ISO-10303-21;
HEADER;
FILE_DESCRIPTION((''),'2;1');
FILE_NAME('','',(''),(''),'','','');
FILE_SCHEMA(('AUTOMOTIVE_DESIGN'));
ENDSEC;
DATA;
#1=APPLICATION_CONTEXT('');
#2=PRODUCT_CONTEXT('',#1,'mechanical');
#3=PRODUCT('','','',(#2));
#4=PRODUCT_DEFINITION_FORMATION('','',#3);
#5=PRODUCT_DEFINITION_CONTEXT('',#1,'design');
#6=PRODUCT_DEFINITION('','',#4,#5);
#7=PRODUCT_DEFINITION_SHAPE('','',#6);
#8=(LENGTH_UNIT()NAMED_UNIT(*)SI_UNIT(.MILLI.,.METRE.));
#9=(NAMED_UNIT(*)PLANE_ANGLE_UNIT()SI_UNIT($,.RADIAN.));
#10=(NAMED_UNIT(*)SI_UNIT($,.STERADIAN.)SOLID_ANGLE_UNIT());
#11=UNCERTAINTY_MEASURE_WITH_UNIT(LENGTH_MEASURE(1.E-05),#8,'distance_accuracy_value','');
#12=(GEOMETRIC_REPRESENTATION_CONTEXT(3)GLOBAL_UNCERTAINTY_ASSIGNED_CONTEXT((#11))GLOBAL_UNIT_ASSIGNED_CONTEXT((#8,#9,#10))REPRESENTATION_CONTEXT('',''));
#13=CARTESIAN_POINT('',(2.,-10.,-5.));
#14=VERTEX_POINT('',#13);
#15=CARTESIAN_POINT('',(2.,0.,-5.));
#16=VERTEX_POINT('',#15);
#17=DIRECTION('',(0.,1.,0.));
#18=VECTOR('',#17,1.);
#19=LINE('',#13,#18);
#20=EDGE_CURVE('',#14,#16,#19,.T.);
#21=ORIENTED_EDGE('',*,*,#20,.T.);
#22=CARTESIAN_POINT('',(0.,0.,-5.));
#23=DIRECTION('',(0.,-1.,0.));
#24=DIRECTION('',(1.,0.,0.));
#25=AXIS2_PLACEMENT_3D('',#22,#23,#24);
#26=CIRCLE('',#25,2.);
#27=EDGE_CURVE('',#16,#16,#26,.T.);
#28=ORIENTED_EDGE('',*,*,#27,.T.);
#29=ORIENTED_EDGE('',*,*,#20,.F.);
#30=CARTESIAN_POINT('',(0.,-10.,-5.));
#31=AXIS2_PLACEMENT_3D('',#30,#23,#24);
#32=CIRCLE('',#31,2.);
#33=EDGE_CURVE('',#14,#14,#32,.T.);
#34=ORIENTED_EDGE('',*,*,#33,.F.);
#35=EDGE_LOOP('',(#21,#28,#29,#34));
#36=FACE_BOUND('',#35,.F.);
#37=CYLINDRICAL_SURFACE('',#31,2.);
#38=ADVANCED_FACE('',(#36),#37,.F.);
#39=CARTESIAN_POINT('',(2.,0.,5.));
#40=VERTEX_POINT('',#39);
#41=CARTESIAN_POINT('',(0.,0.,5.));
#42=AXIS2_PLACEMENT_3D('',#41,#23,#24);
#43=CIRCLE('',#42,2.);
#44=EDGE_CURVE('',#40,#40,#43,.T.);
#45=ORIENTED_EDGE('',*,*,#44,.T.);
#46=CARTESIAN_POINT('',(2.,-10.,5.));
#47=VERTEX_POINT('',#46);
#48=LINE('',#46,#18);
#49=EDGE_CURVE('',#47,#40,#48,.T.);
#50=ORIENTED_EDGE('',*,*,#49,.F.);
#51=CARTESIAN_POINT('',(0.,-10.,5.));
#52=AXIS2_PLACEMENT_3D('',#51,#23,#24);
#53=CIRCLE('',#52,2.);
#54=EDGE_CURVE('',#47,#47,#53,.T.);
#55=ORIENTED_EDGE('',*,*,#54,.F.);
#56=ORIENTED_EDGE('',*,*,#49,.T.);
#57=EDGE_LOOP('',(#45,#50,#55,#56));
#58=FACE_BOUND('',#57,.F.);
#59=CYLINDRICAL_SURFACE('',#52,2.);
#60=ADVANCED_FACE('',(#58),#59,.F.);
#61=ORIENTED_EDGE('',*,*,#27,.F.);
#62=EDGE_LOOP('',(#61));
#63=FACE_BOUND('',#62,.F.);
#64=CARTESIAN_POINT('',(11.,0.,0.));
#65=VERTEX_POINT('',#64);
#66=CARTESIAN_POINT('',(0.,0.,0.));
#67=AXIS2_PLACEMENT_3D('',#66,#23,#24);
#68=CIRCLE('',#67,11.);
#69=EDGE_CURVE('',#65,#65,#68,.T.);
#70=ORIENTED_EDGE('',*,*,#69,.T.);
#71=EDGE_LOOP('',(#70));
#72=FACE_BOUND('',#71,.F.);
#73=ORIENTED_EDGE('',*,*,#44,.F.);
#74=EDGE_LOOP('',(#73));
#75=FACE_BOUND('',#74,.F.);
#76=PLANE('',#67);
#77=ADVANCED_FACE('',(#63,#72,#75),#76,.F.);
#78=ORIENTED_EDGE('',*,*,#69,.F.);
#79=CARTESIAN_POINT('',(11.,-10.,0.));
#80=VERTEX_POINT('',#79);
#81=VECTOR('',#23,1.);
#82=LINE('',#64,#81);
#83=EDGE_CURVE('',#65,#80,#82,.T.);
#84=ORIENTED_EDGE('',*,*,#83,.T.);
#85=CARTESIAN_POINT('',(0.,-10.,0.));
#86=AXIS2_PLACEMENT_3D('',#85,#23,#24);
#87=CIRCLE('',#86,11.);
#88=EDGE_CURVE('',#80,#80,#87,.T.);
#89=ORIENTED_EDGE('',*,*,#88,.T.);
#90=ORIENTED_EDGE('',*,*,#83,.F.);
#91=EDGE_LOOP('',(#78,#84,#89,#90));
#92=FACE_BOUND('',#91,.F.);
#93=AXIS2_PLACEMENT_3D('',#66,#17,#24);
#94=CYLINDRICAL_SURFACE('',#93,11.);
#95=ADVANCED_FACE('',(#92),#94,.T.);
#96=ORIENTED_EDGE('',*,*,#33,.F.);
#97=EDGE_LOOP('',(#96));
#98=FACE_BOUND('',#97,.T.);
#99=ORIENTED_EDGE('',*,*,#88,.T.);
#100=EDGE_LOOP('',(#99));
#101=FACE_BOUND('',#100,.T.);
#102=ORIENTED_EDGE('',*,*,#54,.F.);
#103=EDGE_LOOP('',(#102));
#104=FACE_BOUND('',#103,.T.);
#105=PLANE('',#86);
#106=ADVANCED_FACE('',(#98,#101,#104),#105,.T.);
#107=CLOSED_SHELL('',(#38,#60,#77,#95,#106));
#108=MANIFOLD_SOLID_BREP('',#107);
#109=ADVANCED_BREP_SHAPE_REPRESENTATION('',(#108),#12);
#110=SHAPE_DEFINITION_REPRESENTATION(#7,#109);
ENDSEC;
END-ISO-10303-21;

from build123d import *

# Parameters (mm, degrees)
F0_R     = 11
F1_DEPTH = 10
F2_R     = 2
F3_DEPTH = 10.001


with BuildPart() as f1:
    # F0 (on Front) → F1 (new body)
    with BuildSketch(Plane.XZ):
        Circle(F0_R)
    extrude(amount=F1_DEPTH)

    # F2 (on face) → F3 (cut, through all)
    with BuildSketch(Plane.XZ.offset(10)):
        with Locations((0, 5)):
            Circle(F2_R)
        with Locations((0, -5)):
            Circle(F2_R)
    extrude(amount=-F3_DEPTH, mode=Mode.SUBTRACT)


solid = f1.part
